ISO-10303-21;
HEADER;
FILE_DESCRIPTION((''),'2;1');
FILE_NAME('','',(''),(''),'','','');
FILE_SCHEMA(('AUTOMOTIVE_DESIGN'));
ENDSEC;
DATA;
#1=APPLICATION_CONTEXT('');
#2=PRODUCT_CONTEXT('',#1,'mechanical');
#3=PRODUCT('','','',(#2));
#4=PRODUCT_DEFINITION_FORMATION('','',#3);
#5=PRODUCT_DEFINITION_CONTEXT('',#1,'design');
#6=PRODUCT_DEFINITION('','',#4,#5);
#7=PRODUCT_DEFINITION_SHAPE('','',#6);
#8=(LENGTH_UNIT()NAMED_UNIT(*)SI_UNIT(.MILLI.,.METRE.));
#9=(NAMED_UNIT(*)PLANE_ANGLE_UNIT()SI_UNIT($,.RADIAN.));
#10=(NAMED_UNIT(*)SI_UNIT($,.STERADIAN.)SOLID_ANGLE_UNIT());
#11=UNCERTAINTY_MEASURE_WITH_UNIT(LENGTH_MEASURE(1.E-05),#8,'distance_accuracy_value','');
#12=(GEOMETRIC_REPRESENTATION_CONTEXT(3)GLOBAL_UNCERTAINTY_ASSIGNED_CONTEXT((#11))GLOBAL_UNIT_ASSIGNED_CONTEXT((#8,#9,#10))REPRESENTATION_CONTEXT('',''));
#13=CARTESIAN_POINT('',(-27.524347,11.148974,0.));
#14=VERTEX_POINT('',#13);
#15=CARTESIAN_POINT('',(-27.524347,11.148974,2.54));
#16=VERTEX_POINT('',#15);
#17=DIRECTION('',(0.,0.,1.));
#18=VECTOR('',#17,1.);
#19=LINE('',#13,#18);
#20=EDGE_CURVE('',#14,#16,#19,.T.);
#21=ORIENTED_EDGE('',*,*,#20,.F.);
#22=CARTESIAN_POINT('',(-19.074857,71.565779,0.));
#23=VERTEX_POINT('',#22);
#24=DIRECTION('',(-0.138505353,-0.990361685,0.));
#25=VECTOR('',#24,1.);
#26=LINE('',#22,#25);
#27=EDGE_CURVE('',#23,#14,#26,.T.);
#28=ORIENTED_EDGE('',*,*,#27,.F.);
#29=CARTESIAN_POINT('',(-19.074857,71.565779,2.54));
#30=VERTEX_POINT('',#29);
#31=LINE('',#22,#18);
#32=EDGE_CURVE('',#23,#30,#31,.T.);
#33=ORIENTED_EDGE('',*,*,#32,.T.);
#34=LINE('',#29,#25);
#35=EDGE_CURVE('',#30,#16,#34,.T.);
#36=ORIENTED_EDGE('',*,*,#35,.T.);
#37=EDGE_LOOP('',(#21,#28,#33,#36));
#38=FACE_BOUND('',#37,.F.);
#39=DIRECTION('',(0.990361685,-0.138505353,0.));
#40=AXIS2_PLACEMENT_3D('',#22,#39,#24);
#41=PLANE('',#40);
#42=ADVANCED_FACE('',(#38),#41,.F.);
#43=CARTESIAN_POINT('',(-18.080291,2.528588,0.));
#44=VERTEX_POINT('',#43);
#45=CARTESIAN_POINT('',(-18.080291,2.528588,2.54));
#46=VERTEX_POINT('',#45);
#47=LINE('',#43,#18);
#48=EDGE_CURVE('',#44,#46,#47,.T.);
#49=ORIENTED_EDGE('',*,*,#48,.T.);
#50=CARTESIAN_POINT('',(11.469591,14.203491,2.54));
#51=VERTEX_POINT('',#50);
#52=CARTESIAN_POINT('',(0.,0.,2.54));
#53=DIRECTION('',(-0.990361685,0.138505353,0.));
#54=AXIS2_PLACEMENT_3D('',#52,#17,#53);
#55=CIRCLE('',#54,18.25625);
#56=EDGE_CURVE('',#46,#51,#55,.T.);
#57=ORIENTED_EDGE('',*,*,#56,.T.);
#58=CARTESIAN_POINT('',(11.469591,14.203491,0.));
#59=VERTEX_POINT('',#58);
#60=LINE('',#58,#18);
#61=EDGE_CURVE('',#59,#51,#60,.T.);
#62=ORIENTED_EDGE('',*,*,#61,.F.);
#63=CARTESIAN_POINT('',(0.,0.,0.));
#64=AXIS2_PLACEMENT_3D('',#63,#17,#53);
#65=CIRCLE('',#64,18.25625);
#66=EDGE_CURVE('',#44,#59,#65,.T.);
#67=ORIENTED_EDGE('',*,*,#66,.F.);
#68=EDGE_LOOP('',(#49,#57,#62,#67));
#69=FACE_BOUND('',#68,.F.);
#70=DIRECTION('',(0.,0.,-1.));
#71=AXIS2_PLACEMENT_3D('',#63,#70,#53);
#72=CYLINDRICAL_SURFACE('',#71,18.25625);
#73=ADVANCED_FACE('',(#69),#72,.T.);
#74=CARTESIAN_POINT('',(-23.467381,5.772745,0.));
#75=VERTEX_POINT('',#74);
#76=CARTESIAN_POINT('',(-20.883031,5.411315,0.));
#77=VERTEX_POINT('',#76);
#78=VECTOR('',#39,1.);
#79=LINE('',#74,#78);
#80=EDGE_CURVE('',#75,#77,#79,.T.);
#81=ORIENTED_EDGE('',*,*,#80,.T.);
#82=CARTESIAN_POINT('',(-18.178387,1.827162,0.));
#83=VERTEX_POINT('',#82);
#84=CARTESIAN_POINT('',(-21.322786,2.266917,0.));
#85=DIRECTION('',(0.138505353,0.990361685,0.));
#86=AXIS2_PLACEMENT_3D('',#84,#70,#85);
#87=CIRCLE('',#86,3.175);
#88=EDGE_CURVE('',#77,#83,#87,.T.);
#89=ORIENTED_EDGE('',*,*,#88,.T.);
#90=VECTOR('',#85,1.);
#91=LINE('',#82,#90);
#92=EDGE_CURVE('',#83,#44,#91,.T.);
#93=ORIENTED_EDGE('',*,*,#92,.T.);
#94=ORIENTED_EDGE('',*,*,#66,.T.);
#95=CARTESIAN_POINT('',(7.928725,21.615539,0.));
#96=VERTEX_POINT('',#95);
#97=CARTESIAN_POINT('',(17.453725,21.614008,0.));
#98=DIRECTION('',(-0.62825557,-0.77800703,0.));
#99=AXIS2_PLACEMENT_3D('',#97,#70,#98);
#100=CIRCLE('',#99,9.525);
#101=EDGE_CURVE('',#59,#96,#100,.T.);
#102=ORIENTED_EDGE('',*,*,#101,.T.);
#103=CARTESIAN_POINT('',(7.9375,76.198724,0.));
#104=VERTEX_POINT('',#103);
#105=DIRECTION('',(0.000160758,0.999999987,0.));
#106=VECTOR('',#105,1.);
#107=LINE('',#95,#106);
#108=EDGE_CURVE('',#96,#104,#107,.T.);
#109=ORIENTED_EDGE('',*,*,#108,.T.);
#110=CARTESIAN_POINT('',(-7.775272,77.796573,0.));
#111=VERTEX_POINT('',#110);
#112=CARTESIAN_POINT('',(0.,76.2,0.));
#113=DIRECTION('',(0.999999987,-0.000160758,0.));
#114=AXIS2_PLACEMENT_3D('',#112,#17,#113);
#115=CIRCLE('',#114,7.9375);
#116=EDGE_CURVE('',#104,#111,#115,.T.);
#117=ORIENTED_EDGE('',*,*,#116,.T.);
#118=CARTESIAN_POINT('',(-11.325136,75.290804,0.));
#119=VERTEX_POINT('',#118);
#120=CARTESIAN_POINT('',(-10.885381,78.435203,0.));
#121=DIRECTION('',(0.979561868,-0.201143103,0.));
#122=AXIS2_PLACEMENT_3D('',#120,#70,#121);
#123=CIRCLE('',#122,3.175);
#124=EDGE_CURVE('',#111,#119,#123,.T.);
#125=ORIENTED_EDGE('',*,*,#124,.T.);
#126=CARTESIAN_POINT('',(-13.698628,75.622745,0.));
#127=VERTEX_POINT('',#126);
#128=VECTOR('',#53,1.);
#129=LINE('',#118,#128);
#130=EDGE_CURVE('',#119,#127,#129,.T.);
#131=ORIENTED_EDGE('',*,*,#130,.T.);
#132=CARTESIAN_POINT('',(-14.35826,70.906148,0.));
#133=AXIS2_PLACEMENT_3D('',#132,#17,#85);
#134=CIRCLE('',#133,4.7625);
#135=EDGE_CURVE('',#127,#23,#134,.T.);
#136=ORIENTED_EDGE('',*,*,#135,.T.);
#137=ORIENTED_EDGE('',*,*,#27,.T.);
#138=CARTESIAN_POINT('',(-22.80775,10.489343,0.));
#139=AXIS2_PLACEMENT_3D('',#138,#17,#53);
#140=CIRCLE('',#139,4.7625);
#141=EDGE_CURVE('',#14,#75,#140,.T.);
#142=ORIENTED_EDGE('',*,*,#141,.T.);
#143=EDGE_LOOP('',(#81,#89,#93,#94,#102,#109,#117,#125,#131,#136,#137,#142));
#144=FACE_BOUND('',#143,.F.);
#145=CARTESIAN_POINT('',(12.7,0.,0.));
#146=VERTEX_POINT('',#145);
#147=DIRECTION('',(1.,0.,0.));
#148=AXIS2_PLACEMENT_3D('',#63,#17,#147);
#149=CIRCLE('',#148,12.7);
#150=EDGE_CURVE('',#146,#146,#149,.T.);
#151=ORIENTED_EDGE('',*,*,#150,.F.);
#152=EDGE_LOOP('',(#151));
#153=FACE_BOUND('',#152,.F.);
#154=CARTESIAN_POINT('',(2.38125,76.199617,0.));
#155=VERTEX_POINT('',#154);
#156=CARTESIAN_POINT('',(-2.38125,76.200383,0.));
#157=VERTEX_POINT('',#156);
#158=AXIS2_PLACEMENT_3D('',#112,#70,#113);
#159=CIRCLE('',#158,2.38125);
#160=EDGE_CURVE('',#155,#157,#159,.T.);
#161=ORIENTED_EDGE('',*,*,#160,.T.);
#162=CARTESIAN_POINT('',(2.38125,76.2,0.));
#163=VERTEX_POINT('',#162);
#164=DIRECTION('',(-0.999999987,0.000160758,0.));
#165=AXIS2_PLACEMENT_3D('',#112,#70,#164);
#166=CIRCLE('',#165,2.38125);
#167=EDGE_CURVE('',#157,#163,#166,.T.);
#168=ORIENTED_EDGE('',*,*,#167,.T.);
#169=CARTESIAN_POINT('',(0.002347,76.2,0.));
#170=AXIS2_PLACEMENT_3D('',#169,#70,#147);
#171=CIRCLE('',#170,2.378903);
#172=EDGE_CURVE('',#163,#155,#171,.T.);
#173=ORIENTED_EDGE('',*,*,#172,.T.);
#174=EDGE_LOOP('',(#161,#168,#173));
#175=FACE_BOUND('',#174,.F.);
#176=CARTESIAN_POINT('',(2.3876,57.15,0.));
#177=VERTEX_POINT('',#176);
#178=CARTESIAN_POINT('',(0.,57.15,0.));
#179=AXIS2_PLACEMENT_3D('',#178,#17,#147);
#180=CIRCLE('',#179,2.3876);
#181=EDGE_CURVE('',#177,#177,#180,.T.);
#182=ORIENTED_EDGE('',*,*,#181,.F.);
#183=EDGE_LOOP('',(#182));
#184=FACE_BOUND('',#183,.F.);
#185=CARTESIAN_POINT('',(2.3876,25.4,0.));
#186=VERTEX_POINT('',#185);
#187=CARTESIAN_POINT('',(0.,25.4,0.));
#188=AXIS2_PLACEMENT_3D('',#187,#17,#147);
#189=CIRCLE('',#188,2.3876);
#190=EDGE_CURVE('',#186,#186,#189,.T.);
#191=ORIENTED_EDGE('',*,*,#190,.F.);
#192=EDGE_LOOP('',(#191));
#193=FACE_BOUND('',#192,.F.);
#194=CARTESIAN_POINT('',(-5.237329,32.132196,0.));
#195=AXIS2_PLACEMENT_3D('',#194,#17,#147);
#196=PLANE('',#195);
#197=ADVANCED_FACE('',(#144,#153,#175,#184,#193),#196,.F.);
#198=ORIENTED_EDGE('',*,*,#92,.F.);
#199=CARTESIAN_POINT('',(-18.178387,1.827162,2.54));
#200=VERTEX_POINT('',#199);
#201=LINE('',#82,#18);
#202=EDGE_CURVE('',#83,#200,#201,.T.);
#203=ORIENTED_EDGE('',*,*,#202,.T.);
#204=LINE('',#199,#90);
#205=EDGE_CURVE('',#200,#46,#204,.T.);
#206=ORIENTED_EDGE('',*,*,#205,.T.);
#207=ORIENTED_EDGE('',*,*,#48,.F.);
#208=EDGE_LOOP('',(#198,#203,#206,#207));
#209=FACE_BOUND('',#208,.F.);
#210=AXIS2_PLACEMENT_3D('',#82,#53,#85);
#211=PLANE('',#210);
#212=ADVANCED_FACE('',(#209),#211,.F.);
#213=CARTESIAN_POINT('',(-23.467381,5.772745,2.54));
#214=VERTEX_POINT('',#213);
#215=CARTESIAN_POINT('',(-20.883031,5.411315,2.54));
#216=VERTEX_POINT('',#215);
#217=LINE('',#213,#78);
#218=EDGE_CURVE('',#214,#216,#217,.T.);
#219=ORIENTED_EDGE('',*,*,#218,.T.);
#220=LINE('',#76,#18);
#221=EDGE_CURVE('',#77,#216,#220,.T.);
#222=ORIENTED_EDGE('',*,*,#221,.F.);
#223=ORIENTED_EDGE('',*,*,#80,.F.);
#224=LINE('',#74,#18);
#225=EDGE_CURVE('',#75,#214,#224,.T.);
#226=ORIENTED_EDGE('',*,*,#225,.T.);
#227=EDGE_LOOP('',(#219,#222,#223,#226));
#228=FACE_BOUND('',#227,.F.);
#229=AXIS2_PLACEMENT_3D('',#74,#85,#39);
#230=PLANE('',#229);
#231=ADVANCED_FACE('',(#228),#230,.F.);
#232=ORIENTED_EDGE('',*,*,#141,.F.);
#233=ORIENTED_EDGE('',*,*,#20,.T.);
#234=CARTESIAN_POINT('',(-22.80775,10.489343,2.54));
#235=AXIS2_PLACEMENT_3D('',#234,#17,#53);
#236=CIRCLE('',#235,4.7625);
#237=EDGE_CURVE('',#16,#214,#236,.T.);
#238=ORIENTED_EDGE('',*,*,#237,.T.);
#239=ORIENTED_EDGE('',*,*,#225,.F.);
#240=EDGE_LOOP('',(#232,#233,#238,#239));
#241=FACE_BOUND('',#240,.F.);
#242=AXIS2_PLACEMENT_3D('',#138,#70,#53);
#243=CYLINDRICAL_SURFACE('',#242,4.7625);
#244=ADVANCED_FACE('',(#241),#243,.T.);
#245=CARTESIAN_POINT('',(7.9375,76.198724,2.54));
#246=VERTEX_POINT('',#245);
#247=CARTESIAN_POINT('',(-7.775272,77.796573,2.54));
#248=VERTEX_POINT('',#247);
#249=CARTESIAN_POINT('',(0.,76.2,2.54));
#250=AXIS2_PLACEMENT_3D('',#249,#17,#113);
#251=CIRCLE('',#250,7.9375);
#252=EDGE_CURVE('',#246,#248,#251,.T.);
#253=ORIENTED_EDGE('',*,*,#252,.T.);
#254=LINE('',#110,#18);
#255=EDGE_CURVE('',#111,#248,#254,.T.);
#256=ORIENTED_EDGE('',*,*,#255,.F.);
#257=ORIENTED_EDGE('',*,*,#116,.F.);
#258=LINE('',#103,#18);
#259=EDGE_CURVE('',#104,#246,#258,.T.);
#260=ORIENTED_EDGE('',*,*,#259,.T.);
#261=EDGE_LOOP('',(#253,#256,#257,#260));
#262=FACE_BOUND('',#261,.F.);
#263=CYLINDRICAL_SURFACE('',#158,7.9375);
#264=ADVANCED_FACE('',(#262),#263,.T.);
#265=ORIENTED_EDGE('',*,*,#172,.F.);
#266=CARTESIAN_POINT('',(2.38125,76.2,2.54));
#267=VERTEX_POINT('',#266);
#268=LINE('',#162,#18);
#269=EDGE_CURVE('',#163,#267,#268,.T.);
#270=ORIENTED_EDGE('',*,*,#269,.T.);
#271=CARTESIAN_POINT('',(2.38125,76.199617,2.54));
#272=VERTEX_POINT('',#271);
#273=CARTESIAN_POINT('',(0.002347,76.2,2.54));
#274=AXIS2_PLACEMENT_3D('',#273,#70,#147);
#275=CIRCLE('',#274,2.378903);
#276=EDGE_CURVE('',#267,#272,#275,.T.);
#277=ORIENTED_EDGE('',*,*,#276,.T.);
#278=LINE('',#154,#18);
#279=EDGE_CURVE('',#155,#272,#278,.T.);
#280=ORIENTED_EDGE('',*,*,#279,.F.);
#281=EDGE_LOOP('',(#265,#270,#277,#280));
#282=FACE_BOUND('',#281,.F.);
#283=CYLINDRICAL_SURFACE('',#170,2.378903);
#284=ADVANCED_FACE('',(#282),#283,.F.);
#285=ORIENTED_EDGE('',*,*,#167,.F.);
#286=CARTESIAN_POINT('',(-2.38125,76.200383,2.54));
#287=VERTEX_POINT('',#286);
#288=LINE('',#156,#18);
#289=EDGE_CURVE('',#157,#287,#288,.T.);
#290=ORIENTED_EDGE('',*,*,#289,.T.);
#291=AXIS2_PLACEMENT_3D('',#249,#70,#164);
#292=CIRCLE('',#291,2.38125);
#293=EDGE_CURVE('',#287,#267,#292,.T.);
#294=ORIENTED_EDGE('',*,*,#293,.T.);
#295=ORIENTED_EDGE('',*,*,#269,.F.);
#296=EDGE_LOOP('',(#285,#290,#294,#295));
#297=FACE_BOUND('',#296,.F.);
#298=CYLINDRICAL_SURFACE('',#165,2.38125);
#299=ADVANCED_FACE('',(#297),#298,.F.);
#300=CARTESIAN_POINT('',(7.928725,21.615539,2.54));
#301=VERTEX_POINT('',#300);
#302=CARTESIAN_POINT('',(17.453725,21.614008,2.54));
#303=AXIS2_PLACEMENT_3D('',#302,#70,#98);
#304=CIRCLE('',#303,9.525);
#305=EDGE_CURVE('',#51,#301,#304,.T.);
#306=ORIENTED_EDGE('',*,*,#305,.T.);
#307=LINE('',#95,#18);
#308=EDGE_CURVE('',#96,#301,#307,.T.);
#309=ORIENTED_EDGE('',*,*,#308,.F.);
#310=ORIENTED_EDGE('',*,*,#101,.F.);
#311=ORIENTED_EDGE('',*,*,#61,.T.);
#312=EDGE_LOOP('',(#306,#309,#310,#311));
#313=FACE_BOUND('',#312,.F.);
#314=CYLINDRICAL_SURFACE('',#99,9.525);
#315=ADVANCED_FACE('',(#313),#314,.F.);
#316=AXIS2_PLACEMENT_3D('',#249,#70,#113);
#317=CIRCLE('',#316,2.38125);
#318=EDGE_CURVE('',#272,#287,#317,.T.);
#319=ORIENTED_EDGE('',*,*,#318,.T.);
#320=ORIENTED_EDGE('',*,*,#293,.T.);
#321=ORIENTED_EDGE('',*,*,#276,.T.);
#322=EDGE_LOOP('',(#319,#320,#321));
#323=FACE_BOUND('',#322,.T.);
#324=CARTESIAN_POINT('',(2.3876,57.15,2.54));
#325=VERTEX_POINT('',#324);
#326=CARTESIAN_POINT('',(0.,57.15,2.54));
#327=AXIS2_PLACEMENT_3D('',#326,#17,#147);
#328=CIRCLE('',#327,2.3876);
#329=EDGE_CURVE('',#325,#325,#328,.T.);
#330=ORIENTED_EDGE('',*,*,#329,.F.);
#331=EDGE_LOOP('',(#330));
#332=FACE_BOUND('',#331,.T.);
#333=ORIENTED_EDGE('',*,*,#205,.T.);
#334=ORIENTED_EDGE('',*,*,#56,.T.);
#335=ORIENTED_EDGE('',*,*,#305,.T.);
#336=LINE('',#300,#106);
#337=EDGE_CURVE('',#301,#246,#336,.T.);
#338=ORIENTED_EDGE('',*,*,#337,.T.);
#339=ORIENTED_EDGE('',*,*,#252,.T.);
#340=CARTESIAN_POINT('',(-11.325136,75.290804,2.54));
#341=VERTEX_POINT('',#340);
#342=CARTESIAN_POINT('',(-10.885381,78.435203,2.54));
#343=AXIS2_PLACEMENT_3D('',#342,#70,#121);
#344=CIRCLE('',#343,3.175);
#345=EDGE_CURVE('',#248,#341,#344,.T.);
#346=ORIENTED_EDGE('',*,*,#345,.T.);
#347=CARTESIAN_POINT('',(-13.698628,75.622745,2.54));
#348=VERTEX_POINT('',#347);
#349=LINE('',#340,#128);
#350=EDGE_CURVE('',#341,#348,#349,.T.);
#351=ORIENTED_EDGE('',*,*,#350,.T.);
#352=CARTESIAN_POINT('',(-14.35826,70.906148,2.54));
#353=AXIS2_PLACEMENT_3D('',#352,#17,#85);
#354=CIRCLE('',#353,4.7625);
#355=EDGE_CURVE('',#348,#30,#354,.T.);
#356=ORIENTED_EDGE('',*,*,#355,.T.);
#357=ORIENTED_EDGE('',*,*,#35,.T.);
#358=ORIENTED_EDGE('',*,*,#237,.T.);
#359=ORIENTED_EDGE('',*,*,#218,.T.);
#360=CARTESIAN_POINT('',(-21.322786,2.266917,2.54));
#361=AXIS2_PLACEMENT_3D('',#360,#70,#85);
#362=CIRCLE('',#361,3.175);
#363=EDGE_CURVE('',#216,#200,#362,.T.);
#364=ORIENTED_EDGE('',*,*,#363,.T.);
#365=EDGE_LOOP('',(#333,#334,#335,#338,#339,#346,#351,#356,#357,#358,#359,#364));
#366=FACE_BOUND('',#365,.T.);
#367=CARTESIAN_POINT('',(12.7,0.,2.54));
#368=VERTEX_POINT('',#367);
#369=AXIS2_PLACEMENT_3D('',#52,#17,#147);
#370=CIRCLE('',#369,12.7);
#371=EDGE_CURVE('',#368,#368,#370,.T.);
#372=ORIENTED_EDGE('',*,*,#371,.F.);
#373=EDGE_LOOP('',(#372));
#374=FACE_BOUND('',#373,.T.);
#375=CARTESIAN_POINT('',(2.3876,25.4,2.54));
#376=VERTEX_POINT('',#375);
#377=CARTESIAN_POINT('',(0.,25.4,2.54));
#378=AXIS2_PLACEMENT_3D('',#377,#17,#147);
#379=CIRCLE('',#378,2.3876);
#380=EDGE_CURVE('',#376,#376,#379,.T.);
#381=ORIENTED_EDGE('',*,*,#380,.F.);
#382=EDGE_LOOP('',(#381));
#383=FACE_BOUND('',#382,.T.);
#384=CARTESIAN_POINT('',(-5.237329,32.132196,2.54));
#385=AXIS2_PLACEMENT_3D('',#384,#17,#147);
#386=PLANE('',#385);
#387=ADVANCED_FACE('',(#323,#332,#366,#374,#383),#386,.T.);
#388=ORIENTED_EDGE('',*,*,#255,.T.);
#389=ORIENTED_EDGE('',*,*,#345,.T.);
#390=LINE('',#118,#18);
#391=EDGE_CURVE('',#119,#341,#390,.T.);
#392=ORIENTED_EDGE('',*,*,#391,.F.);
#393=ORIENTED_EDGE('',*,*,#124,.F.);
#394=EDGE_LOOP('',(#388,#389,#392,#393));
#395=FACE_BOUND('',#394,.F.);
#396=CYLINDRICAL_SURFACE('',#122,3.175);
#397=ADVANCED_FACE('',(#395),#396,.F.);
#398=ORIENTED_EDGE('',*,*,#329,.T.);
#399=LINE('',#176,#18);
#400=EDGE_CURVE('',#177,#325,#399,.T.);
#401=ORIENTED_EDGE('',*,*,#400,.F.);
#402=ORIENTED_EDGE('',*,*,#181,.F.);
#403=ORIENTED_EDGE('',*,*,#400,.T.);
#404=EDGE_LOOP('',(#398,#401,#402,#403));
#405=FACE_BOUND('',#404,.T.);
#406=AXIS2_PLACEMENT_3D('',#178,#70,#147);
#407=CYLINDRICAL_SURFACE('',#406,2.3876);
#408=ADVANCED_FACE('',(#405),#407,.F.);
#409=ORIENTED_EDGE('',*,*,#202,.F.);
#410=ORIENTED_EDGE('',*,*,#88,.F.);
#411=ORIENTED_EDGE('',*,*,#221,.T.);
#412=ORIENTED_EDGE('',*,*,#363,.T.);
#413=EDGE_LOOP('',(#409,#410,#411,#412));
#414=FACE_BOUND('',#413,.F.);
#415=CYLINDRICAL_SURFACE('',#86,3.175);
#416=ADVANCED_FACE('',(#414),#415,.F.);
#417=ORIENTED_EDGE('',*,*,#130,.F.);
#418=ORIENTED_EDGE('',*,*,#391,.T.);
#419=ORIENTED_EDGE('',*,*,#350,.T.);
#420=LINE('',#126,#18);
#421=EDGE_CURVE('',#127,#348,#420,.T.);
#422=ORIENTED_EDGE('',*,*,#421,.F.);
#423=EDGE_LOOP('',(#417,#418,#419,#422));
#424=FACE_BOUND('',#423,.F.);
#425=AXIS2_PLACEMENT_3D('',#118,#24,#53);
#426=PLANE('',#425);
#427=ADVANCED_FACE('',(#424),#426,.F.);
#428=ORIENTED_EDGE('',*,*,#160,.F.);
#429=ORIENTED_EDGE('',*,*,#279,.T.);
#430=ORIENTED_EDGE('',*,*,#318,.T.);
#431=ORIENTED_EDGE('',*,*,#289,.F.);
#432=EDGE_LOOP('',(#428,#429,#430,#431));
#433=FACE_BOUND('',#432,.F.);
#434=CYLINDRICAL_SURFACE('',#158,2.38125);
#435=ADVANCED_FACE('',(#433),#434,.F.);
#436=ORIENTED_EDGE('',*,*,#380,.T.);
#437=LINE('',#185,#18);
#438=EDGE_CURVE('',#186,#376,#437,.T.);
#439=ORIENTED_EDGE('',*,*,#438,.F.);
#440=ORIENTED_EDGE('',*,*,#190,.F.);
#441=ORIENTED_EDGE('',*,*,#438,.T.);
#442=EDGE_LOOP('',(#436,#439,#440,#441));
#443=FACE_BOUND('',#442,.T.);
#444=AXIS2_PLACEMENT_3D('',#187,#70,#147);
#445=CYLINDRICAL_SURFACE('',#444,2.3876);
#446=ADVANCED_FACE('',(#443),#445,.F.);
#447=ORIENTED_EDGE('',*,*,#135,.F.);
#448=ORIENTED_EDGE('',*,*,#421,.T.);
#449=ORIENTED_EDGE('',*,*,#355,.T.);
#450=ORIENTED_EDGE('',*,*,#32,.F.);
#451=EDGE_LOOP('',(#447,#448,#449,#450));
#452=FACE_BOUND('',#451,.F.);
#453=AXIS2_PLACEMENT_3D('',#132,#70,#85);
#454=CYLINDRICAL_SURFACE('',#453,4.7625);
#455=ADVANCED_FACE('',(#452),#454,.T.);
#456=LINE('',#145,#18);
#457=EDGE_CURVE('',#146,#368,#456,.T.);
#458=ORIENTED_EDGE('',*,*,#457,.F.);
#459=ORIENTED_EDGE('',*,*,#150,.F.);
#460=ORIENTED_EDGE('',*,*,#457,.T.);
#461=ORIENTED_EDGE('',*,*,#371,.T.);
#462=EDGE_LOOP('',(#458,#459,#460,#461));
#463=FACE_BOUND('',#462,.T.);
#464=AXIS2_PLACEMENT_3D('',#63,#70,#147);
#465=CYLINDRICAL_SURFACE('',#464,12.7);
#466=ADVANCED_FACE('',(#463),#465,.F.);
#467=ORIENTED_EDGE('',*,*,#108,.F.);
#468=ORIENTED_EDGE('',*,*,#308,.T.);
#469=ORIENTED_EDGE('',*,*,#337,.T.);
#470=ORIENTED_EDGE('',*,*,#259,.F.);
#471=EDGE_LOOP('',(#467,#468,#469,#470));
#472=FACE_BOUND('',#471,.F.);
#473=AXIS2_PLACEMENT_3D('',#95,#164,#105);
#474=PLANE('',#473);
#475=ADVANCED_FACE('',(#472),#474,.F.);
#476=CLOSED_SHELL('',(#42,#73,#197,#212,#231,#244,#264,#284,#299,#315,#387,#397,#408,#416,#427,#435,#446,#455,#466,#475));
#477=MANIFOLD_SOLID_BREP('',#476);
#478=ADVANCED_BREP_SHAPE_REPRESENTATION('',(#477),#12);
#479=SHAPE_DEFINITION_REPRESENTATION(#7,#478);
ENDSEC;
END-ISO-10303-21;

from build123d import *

# Parameters (mm, degrees)
F0_R     = 12.7
F0_R_2   = 2.3876
F1_DEPTH = 2.54


with BuildPart() as f1:
    # F0 (on Top) → F1 (new body)
    with BuildSketch(Plane.XY):
        with BuildLine():
            Line((-18.178387253, 1.8271623671), (-18.0802905133, 2.5285883446))
            ThreePointArc((-18.0802905133, 2.5285883446), (6.7082915, -16.979089764), (11.4695907587, 14.2034908347))
            ThreePointArc((11.4695907587, 14.2034908347), (8.8590799115, 17.5081948831), (7.9287251907, 21.6155390158))
            Line((7.9287251907, 21.6155390158), (7.9374998974, 76.19872398))
            ThreePointArc((7.9374998974, 76.19872398), (0.8030318302, 84.096774413), (-7.7752723233, 77.796573377))
            ThreePointArc((-7.7752723233, 77.796573377), (-9.0544203653, 75.8413239278), (-11.3251357474, 75.2908043777))
            Line((-11.3251357474, 75.2908043777), (-13.6986280664, 75.6227451177))
            ThreePointArc((-13.6986280664, 75.6227451177), (-17.2269678248, 74.7077157646), (-19.0748573337, 71.5657793346))
            Line((-19.0748573337, 71.5657793346), (-27.524347053, 11.148974385))
            ThreePointArc((-27.524347053, 11.148974385), (-26.6093176999, 7.6206346267), (-23.4673812699, 5.7727451177))
            Line((-23.4673812699, 5.7727451177), (-20.8830311084, 5.411315212))
            ThreePointArc((-20.8830311084, 5.411315212), (-18.7884068217, 4.1793888727), (-18.178387253, 1.8271623671))
        make_face()
        Circle(F0_R, mode=Mode.SUBTRACT)
        with Locations((0, 25.4)):
            Circle(F0_R_2, mode=Mode.SUBTRACT)
        with Locations((0, 57.15)):
            Circle(F0_R_2, mode=Mode.SUBTRACT)
        with BuildLine():
            ThreePointArc((2.38125, 76.2), (2.3812499923, 76.199808597), (2.3812499692, 76.199617194))
            ThreePointArc((2.3812499692, 76.199617194), (-0.000382806, 73.8187500308), (-2.3812499692, 76.200382806))
            ThreePointArc((-2.3812499692, 76.200382806), (0.000191403, 78.5812499923), (2.38125, 76.2))
        make_face(mode=Mode.SUBTRACT)
    extrude(amount=F1_DEPTH)


solid = f1.part
